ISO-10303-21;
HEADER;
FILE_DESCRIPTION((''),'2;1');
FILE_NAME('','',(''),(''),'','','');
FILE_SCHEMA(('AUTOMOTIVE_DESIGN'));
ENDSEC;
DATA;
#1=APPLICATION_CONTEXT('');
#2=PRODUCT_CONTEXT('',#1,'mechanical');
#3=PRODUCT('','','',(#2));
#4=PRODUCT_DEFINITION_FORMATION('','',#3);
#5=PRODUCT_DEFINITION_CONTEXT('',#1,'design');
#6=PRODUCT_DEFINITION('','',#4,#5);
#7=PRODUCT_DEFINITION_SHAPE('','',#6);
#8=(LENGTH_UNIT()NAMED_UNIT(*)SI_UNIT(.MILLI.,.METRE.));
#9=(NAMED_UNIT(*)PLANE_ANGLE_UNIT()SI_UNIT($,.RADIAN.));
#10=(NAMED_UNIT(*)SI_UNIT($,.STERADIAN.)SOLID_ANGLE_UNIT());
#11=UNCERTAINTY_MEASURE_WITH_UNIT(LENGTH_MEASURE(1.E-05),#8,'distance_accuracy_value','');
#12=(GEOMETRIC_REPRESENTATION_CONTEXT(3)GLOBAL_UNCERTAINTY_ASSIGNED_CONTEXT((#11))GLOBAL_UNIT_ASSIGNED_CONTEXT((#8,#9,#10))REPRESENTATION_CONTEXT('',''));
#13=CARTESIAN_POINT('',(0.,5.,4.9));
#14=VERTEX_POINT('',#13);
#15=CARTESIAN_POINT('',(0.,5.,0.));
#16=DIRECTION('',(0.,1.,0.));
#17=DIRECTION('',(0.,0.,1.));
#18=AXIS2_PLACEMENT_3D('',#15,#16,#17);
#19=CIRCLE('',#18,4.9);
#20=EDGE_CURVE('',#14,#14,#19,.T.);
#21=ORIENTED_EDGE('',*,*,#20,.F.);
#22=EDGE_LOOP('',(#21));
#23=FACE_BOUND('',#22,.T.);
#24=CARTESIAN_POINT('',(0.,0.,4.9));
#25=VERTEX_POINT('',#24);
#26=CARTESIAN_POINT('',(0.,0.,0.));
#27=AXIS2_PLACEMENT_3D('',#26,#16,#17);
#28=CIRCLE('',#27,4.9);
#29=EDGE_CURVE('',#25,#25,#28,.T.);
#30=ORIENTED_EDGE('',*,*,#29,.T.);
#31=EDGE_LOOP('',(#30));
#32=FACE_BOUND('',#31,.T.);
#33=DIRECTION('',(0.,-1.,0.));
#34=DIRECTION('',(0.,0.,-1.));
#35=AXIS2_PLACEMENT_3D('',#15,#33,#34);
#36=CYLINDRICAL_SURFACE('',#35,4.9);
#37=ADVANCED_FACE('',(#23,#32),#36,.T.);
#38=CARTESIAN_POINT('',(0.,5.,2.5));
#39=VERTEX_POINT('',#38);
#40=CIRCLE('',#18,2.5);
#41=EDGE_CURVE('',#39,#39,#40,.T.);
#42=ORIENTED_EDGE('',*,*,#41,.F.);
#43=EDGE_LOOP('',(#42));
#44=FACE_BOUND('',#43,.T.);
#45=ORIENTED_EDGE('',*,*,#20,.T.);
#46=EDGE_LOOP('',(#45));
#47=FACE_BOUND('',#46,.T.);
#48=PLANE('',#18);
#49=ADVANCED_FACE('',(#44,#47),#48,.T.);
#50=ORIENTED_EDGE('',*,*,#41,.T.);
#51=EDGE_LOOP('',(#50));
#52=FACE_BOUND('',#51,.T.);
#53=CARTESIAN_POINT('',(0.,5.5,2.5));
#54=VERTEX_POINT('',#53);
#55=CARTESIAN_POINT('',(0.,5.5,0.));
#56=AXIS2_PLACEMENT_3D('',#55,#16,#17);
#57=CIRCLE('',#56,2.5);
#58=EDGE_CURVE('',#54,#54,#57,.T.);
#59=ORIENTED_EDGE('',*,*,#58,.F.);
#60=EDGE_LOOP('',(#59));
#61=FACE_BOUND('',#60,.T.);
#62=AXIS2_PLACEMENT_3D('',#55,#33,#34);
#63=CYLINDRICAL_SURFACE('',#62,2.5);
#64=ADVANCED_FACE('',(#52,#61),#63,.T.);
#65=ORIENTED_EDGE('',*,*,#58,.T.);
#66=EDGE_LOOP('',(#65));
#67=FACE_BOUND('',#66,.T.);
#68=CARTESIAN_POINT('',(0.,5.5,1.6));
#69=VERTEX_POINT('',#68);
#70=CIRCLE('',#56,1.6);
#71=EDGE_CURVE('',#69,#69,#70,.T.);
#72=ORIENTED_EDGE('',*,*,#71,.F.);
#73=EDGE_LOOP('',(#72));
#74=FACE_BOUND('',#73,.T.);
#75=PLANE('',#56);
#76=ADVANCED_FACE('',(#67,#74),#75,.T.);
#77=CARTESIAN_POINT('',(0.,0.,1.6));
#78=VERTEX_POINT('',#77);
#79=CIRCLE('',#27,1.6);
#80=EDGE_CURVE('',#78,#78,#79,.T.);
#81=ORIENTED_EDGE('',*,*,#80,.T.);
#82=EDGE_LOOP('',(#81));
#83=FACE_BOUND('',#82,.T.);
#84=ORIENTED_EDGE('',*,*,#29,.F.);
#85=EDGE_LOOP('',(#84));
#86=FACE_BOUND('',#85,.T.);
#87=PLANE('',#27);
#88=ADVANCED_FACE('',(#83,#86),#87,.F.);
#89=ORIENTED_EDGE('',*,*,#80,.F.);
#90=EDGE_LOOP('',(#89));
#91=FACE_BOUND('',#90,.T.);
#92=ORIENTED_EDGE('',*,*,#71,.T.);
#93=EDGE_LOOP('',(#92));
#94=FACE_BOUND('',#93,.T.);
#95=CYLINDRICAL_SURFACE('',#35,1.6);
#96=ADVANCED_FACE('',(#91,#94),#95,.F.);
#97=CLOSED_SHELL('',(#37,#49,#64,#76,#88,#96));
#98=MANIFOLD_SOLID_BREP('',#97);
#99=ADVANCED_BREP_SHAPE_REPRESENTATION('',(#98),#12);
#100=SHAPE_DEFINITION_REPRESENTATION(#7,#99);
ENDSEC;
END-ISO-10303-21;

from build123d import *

# Parameters (mm, degrees)
SKETCH1_R           = 4.9
SKETCH1_R_2         = 1.6
BOSS_EXTRUDE1_DEPTH = 5
SKETCH2_R           = 2.5
SKETCH2_R_2         = 1.6
BOSS_EXTRUDE2_DEPTH = 0.5


with BuildPart() as part:
    # Sketch1 → Boss-Extrude1 (new body)
    with BuildSketch(Plane(origin=(0, 0, 0), x_dir=(1, 0, 0), z_dir=(0, 1, 0))):
        with Locations(Location((0, 0, 0), (0, 0, 270))):
            Circle(SKETCH1_R)
        with Locations(Location((0, 0, 0), (0, 0, 270))):
            Circle(SKETCH1_R_2, mode=Mode.SUBTRACT)
    extrude(amount=BOSS_EXTRUDE1_DEPTH)

    # Sketch2 → Boss-Extrude2 (add)
    with BuildSketch(Plane(origin=(0, 5, 0), x_dir=(1, 0, 0), z_dir=(0, 1, 0))):
        with Locations(Location((0, 0, 0), (0, 0, 270))):
            Circle(SKETCH2_R)
        with Locations(Location((0, 0, 0), (0, 0, 270))):
            Circle(SKETCH2_R_2, mode=Mode.SUBTRACT)
    extrude(amount=BOSS_EXTRUDE2_DEPTH)


solid = part.part
